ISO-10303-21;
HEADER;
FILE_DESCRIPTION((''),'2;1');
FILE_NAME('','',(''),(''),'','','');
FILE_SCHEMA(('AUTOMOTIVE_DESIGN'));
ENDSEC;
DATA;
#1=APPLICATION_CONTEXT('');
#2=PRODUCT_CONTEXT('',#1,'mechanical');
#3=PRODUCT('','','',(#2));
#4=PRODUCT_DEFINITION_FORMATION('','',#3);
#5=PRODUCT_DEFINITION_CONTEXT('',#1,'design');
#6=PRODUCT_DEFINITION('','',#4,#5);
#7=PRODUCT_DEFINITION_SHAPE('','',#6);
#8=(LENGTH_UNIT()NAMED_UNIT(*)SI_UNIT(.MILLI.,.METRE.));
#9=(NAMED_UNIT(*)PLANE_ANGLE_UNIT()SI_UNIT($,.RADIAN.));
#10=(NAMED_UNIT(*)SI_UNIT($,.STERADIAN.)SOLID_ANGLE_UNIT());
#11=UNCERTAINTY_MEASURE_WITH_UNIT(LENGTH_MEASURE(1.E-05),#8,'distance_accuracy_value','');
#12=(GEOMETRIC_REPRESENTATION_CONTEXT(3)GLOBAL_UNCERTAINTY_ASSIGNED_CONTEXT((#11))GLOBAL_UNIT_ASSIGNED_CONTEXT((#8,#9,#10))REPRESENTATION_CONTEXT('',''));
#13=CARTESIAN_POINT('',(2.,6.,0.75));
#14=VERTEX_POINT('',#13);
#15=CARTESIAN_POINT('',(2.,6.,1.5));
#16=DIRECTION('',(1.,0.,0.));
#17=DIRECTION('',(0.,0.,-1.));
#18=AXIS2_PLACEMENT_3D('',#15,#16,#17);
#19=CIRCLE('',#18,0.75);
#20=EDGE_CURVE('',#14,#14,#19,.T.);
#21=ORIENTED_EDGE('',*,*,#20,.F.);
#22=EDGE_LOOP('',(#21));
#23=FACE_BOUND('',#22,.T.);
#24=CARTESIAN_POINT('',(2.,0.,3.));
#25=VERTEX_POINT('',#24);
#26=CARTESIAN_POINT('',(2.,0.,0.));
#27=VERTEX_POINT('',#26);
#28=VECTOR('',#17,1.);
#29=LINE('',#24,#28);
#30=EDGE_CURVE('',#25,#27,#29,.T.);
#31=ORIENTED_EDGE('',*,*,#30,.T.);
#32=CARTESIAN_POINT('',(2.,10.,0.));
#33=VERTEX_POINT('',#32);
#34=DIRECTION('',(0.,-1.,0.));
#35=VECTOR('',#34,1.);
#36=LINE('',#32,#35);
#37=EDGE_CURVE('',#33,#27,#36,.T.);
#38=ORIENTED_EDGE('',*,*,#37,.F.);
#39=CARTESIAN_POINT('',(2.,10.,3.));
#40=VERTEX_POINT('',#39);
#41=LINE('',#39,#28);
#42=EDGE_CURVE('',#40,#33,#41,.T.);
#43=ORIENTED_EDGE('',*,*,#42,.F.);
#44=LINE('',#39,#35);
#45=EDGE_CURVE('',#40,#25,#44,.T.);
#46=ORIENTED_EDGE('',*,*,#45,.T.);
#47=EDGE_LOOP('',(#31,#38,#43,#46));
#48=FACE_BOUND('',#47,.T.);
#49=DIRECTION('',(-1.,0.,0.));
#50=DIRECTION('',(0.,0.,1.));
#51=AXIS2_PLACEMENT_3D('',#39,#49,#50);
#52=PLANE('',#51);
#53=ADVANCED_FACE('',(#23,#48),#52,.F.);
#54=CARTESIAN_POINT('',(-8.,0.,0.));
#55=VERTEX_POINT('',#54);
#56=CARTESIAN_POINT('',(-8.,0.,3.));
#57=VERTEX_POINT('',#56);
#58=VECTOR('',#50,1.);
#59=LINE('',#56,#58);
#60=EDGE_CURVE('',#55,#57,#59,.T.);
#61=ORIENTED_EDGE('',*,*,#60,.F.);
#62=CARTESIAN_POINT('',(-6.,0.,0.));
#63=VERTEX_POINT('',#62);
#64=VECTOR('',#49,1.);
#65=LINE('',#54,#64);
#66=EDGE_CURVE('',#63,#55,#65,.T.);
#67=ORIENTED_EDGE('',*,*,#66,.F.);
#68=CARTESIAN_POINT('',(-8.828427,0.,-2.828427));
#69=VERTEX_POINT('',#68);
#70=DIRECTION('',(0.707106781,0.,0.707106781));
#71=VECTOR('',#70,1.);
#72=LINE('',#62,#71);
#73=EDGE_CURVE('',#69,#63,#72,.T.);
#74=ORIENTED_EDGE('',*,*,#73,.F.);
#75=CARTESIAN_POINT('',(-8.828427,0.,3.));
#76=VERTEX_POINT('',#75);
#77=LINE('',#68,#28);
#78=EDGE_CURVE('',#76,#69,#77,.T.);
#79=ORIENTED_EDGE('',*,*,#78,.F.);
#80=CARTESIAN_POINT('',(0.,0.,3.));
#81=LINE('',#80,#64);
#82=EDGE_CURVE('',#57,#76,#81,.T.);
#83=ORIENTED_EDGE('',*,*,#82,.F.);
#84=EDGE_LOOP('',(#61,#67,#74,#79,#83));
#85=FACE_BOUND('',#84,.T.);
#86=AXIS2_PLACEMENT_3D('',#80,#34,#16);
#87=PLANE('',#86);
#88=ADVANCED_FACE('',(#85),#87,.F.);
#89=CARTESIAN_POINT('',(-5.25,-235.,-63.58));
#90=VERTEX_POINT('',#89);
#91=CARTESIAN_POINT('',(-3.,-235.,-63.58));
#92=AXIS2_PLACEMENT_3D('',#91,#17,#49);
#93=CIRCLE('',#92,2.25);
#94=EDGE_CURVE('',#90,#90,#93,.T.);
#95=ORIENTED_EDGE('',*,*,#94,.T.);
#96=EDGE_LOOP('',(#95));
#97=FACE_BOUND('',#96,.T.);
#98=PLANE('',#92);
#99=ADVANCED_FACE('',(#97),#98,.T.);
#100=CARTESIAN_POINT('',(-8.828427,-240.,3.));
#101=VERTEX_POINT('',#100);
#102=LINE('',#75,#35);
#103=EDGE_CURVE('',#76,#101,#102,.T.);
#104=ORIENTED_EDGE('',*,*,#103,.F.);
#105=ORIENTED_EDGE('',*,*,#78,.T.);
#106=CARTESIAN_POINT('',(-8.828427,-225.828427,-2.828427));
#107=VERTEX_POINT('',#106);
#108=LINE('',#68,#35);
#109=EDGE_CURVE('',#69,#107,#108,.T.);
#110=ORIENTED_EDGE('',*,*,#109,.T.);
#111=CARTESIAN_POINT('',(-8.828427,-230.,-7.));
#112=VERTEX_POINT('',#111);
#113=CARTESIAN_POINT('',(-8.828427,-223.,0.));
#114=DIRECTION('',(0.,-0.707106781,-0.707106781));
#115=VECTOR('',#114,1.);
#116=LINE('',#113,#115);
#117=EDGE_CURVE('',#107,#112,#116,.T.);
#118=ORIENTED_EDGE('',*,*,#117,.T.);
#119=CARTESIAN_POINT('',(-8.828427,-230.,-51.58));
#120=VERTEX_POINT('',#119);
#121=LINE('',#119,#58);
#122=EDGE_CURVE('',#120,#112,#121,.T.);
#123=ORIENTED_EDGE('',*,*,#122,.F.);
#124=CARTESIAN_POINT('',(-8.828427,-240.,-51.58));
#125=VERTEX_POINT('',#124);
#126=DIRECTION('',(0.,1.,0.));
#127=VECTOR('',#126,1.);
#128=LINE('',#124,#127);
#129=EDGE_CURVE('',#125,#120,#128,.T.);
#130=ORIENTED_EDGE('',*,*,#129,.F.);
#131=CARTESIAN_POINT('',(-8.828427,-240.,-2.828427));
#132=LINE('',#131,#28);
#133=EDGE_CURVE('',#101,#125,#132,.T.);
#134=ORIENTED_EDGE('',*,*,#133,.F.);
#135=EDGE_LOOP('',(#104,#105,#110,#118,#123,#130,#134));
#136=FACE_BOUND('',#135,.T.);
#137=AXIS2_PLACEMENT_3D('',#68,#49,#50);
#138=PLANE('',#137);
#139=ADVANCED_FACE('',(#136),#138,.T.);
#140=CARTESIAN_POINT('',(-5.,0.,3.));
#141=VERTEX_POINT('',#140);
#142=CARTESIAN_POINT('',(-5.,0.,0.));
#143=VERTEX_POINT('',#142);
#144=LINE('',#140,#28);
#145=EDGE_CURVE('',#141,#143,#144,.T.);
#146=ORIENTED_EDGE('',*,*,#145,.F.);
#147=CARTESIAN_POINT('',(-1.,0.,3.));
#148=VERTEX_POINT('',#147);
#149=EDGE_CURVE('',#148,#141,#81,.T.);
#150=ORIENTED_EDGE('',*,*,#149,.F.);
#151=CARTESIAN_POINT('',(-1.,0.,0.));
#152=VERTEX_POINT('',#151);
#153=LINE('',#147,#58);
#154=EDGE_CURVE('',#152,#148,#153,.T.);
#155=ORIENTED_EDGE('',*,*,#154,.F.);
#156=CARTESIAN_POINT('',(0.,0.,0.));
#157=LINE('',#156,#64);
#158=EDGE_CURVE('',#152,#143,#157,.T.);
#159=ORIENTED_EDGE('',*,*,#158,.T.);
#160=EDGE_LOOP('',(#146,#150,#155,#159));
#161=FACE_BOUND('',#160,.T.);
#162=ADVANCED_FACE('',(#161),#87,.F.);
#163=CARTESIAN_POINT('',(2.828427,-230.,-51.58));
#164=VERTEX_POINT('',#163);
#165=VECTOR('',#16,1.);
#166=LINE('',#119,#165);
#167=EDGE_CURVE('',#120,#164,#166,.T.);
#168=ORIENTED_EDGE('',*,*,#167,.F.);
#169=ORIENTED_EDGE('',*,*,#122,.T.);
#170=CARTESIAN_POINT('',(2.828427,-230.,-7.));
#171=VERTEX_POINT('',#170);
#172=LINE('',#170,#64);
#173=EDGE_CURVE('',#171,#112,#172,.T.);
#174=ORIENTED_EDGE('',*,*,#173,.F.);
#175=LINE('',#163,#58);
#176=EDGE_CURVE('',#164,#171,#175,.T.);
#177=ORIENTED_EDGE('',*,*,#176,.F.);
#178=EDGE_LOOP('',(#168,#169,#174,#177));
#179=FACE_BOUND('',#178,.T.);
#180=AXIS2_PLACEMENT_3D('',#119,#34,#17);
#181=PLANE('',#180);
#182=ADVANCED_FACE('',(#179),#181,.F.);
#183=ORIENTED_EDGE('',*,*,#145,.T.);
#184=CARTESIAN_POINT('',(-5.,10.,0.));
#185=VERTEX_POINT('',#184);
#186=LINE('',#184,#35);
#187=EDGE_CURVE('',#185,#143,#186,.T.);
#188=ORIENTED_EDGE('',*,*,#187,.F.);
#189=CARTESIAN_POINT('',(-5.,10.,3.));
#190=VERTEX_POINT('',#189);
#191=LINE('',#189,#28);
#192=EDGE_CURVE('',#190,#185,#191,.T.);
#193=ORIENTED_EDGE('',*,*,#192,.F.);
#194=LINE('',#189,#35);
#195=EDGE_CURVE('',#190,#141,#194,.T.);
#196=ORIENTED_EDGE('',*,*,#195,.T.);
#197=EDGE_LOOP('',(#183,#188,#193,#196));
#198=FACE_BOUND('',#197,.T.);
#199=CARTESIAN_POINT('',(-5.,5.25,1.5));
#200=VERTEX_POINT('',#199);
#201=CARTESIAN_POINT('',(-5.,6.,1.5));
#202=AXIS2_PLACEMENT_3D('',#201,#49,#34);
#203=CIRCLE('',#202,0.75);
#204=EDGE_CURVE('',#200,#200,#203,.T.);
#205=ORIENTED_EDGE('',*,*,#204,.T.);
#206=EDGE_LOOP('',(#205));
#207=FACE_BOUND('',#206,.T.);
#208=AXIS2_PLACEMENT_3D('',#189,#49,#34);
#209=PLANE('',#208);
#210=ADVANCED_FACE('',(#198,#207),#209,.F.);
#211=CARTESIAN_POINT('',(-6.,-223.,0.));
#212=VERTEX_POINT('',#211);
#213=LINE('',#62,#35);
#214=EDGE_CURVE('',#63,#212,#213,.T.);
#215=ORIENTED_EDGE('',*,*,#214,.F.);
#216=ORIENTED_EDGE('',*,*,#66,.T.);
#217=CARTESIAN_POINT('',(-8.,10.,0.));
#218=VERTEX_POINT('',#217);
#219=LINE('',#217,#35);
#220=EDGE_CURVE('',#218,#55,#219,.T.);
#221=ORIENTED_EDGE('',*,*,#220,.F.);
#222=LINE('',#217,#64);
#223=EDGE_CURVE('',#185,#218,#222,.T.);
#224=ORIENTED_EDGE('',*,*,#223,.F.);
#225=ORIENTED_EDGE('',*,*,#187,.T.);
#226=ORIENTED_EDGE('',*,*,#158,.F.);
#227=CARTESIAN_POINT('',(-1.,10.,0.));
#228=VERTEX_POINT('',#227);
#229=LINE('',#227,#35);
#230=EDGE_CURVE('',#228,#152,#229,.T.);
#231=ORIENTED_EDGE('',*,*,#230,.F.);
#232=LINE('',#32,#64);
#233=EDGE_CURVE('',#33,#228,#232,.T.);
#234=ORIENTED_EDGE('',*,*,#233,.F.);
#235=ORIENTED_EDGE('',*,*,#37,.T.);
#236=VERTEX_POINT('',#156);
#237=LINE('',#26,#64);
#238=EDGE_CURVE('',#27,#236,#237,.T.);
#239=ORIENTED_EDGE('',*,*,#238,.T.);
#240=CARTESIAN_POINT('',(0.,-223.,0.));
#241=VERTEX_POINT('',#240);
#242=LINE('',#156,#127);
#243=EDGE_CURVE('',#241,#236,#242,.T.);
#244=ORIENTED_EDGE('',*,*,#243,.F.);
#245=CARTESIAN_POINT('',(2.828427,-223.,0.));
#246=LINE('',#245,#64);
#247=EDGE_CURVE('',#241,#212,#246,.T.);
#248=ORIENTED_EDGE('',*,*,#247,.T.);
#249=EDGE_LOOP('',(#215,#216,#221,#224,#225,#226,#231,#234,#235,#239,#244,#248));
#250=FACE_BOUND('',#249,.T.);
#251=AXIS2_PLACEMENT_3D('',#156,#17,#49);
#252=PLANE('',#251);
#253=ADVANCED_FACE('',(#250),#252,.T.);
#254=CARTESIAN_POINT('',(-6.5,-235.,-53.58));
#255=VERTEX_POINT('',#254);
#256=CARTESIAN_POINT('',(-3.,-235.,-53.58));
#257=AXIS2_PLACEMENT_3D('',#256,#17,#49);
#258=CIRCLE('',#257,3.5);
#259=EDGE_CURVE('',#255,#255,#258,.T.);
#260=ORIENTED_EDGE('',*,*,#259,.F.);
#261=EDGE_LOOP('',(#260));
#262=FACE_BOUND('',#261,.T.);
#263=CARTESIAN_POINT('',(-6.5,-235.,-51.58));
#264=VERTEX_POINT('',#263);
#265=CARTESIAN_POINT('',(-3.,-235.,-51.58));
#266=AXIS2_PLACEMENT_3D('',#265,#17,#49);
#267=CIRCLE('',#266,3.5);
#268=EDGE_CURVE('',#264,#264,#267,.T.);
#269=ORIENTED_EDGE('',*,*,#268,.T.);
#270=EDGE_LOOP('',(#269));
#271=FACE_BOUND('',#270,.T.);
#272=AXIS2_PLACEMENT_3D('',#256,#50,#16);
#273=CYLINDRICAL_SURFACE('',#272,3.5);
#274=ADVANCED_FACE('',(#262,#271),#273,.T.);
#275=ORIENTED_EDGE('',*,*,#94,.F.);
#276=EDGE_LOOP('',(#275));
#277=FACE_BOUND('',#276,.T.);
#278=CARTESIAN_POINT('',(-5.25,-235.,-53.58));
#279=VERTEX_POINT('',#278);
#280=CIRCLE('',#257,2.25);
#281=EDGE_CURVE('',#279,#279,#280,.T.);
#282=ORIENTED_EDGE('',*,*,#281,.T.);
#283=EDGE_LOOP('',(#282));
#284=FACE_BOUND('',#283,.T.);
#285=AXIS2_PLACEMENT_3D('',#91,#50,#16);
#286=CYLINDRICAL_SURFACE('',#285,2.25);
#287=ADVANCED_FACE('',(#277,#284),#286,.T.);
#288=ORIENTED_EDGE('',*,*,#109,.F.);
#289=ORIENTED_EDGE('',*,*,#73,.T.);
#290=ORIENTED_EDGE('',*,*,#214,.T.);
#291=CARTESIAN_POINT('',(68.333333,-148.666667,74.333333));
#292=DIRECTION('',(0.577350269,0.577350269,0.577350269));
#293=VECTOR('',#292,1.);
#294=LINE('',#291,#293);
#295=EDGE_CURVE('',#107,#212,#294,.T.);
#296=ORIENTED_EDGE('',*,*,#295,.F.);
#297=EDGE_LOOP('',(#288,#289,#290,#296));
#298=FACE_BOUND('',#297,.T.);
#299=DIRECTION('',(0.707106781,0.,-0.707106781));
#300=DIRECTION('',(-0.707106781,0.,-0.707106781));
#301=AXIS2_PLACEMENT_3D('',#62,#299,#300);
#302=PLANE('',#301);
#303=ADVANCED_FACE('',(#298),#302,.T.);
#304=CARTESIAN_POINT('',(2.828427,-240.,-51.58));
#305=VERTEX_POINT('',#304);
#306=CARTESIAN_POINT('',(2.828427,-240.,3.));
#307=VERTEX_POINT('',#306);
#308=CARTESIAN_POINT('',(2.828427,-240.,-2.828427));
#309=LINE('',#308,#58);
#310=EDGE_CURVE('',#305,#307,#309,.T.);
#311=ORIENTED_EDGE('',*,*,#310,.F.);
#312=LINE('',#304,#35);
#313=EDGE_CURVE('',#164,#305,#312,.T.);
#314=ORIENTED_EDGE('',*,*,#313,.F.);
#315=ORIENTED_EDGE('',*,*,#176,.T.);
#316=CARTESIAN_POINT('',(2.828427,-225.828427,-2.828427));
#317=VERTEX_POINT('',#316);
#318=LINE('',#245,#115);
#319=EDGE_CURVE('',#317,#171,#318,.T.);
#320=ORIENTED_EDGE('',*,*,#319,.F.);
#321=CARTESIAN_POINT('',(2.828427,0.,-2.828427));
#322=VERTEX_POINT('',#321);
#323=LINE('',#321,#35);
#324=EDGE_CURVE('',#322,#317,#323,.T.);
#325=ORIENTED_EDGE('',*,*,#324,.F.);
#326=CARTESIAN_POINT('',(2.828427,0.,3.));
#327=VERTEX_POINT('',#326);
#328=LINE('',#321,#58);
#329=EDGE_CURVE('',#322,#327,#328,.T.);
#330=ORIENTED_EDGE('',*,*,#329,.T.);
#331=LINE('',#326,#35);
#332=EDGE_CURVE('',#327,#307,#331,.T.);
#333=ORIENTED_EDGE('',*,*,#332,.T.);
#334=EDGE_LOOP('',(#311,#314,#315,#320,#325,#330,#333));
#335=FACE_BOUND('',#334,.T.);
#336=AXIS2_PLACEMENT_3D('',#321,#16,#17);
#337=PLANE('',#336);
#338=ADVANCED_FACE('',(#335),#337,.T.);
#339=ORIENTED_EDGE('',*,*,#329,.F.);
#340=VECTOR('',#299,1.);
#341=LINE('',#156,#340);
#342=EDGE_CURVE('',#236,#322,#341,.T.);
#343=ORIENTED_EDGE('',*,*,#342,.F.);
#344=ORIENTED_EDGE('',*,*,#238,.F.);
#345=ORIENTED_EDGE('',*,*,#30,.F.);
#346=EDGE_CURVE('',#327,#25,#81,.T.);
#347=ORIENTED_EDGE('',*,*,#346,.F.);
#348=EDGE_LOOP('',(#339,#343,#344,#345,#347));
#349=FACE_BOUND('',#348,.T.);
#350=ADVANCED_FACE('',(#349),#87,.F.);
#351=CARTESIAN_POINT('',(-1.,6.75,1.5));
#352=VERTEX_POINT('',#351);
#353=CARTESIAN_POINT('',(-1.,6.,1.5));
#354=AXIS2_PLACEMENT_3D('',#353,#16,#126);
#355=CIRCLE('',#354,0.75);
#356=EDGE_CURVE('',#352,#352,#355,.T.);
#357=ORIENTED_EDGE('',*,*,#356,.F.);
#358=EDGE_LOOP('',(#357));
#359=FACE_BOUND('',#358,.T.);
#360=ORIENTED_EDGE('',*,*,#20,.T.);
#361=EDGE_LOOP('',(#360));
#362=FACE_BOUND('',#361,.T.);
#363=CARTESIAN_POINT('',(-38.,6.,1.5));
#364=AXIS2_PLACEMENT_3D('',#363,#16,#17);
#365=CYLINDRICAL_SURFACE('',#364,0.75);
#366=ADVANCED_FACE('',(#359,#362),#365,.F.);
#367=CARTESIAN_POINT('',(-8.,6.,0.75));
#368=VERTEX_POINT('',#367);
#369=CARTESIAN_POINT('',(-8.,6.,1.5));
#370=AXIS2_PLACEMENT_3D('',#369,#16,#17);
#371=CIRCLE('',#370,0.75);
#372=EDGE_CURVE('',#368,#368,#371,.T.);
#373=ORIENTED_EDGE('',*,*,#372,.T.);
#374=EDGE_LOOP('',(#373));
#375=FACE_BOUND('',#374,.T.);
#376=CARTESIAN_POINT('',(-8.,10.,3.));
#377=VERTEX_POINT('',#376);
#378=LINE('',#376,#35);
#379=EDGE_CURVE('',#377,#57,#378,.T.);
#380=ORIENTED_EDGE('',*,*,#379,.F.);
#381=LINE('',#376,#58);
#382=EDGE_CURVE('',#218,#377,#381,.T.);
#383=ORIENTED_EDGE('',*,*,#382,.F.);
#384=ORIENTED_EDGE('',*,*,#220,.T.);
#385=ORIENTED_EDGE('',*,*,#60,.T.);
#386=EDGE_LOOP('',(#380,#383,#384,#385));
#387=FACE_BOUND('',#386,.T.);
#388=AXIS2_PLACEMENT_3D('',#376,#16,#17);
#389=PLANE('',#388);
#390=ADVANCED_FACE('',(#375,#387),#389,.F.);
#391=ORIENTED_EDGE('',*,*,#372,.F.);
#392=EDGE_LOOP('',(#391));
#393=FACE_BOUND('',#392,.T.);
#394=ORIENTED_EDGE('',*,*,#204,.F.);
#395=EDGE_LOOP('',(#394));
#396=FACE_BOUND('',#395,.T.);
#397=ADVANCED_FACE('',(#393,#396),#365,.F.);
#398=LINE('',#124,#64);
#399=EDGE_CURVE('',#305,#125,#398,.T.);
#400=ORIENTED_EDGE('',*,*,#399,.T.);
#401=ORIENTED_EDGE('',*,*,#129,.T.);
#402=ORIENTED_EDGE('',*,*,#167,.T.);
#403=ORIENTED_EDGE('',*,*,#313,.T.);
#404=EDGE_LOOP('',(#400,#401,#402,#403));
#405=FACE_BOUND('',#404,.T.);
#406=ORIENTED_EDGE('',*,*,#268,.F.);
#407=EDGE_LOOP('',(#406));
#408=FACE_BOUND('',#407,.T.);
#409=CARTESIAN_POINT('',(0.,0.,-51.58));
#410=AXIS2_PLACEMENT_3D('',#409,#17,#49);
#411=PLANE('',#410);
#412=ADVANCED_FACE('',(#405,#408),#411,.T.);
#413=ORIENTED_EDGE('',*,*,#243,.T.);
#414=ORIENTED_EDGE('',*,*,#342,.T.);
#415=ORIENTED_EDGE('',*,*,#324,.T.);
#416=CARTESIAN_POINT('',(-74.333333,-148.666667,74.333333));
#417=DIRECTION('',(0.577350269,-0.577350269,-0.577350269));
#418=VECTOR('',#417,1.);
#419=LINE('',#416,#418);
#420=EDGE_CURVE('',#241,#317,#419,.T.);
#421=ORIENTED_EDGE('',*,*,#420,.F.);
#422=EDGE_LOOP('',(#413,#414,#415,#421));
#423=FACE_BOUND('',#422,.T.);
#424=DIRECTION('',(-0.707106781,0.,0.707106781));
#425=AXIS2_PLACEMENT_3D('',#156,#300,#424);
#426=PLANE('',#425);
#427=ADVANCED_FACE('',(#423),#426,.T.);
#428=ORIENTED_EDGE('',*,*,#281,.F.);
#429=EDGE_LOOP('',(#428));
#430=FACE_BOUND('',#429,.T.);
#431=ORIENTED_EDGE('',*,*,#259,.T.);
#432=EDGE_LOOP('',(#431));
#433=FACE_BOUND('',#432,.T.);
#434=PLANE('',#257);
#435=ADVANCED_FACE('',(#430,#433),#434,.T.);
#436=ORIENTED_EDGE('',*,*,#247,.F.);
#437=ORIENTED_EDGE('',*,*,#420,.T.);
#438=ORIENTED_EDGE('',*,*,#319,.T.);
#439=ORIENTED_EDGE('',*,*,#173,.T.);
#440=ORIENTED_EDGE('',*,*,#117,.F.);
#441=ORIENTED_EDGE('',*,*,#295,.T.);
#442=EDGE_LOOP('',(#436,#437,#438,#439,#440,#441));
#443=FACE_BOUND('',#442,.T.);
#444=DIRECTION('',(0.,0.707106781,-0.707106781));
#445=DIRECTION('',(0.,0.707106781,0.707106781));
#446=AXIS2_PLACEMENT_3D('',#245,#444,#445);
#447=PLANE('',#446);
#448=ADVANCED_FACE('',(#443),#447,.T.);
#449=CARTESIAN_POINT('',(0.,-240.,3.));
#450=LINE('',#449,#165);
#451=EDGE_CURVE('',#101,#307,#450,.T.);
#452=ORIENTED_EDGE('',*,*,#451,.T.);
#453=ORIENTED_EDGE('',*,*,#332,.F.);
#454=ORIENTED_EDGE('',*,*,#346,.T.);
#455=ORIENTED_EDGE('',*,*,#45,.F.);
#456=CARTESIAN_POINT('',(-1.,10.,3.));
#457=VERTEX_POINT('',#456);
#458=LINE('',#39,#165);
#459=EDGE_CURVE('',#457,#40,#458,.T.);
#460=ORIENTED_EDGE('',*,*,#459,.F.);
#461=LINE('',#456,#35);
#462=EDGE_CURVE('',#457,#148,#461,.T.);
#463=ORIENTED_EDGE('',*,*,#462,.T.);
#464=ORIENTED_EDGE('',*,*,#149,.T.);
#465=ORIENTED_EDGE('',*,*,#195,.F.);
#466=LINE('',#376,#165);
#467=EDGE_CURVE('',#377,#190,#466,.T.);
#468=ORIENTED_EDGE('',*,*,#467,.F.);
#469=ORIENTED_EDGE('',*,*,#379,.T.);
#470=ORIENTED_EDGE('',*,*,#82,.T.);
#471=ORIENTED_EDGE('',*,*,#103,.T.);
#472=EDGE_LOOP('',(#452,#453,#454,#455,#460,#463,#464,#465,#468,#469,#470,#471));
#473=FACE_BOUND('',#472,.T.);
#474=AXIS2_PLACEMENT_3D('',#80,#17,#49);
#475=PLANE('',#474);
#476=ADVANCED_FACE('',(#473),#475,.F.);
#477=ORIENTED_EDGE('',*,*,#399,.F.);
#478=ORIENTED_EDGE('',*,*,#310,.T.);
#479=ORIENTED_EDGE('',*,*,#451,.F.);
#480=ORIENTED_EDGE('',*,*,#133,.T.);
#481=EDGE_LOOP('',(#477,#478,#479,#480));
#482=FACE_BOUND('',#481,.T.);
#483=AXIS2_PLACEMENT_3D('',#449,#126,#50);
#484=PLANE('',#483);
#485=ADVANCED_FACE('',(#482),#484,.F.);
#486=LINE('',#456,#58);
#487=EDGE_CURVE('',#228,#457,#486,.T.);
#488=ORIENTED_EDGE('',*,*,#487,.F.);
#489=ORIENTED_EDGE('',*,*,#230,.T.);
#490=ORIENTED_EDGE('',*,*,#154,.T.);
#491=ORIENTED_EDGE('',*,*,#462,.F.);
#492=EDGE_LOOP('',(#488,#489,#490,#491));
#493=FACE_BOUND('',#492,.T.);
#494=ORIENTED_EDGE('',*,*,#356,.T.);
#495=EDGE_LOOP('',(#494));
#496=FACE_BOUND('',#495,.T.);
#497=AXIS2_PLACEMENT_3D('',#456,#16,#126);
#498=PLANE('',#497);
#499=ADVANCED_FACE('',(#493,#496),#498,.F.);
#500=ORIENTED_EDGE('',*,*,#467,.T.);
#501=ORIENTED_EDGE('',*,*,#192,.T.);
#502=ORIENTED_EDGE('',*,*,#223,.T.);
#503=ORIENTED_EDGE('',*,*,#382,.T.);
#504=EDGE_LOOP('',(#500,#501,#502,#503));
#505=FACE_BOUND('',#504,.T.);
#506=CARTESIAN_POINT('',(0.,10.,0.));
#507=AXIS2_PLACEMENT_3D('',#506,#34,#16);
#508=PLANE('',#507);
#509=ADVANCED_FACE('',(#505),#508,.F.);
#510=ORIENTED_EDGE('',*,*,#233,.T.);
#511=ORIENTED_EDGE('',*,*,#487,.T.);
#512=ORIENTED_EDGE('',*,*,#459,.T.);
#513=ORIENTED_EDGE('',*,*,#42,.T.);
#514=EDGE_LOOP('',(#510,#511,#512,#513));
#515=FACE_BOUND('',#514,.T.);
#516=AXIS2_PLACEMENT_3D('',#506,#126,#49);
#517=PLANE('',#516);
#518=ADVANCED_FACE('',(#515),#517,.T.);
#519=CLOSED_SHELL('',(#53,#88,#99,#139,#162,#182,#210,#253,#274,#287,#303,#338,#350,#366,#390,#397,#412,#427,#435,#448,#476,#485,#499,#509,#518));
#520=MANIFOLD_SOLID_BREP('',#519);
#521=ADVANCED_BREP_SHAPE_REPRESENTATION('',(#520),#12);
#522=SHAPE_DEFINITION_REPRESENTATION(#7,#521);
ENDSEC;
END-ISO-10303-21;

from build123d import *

# Parameters (mm, degrees)
SKETCH2_W           = 6
SKETCH2_H           = 240
BOSS_EXTRUDE1_DEPTH = 3
BOSS_EXTRUDE2_DEPTH = 240
SKETCH5_W           = 3
SKETCH5_H           = 3
BOSS_EXTRUDE3_DEPTH = 10
SKETCH6_R           = 0.75
CUT_EXTRUDE1_DEPTH  = 40
SKETCH7_W           = 11.65685425
SKETCH7_H           = 10
BOSS_EXTRUDE4_DEPTH = 51.58
SKETCH8_R           = 2.25
BOSS_EXTRUDE5_DEPTH = 12
BOSS_EXTRUDE6_DEPTH = 11.656857
SKETCH10_R          = 3.5
BOSS_EXTRUDE7_DEPTH = 2


with BuildPart() as part:
    # Sketch2 → Boss-Extrude1 (new body)
    with BuildSketch(Plane.XY):
        with Locations((-3, -120)):
            Rectangle(SKETCH2_W, SKETCH2_H)
    extrude(amount=BOSS_EXTRUDE1_DEPTH)

    # Sketch4 → Boss-Extrude2 (add)
    with BuildSketch(Plane(origin=(0, -240, 0), x_dir=(-1, 0, 0), z_dir=(0, -1, 0))):
        Polygon((0, 0), (-2.828427125, 2.828427125), (-2.828427125, -3), (0, -3), align=None)
        Polygon((8.828427125, -3), (6, -3), (6, 0), (8.828427125, 2.828427125), align=None)
    extrude(amount=-BOSS_EXTRUDE2_DEPTH)

    # Sketch5 → Boss-Extrude3 (add)
    with BuildSketch(Plane(origin=(0, 0, 0), x_dir=(1, 0, 0), z_dir=(0, 1, 0))):
        with Locations((-6.5, -1.5)):
            Rectangle(SKETCH5_W, SKETCH5_H)
        with Locations((0.5, -1.5)):
            Rectangle(SKETCH5_W, SKETCH5_H)
    extrude(amount=BOSS_EXTRUDE3_DEPTH)

    # Sketch6 → Cut-Extrude1 (cut)
    with BuildSketch(Plane(origin=(2, 0, 0), x_dir=(0, 0, -1), z_dir=(1, 0, 0))):
        with Locations((-1.5, 6)):
            Circle(SKETCH6_R)
    extrude(amount=-CUT_EXTRUDE1_DEPTH, mode=Mode.SUBTRACT)

    # Sketch7 → Boss-Extrude4 (add)
    with BuildSketch(Plane(origin=(0, 0, 0), x_dir=(-1, 0, 0), z_dir=(0, 0, -1))):
        with Locations((3, -235)):
            Rectangle(SKETCH7_W, SKETCH7_H)
    extrude(amount=BOSS_EXTRUDE4_DEPTH)

    # Sketch8 → Boss-Extrude5 (add)
    with BuildSketch(Plane(origin=(0, 0, -51.58), x_dir=(-1, 0, 0), z_dir=(0, 0, -1))):
        with Locations((3, -235)):
            Circle(SKETCH8_R)
    extrude(amount=BOSS_EXTRUDE5_DEPTH)

    # Sketch9 → Boss-Extrude6 (add)
    with BuildSketch(Plane.ZY.offset(8.828427125)):
        Polygon((-7, -230), (0, -230), (0, -223), align=None)
    extrude(amount=-BOSS_EXTRUDE6_DEPTH)

    # Sketch10 → Boss-Extrude7 (add)
    with BuildSketch(Plane(origin=(0, 0, -51.58), x_dir=(-1, 0, 0), z_dir=(0, 0, -1))):
        with Locations((3, -235)):
            Circle(SKETCH10_R)
    extrude(amount=BOSS_EXTRUDE7_DEPTH)


solid = part.part
